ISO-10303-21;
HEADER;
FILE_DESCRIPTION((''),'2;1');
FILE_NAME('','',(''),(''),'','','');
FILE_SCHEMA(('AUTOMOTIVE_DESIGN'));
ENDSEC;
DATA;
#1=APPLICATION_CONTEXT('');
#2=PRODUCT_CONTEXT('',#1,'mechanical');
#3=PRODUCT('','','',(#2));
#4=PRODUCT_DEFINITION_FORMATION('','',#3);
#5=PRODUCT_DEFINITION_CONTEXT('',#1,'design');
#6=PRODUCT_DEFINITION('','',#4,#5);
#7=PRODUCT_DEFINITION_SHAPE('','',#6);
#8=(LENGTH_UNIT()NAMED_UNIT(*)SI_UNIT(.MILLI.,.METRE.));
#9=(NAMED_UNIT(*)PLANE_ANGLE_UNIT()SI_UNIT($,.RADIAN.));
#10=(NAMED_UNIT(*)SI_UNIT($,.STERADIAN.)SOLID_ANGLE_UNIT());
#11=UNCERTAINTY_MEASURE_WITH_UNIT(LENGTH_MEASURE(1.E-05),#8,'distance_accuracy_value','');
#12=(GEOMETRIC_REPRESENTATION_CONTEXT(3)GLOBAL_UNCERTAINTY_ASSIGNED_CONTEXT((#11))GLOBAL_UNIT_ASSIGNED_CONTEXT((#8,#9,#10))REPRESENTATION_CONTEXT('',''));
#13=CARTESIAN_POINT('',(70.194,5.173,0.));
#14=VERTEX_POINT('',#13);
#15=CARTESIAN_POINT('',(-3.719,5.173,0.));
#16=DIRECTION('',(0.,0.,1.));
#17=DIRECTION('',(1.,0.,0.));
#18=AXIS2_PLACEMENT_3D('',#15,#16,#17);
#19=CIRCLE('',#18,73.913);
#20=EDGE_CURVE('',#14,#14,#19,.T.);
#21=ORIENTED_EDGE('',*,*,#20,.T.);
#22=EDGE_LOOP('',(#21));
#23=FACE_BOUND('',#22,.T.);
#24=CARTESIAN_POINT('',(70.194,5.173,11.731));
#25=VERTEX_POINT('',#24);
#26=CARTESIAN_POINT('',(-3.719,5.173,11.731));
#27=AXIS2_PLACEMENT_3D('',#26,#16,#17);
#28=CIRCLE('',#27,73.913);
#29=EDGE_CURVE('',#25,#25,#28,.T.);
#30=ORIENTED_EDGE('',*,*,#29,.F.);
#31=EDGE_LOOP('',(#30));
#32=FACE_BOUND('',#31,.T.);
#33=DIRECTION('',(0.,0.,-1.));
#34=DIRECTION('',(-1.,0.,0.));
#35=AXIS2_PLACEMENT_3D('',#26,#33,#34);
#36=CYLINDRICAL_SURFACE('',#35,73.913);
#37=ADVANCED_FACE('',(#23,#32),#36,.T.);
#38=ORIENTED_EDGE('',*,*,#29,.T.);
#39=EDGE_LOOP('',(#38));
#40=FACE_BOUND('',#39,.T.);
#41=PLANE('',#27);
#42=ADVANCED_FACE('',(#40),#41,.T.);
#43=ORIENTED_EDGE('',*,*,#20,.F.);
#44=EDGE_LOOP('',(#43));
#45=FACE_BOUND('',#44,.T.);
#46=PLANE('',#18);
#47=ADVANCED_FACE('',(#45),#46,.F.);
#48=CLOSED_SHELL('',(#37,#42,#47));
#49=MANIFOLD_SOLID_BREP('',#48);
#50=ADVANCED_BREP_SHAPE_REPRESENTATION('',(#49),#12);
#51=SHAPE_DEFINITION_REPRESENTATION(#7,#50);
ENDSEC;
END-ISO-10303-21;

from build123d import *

# Parameters (mm, degrees)
CURVESKETCH_R   = 73.913
CURVEBOSS_DEPTH = 11.731


with BuildPart() as part:
    # CurveSketch → CurveBoss (new body)
    with BuildSketch(Plane.XY):
        with Locations((-3.719, 5.173)):
            Circle(CURVESKETCH_R)
    extrude(amount=CURVEBOSS_DEPTH)


solid = part.part
